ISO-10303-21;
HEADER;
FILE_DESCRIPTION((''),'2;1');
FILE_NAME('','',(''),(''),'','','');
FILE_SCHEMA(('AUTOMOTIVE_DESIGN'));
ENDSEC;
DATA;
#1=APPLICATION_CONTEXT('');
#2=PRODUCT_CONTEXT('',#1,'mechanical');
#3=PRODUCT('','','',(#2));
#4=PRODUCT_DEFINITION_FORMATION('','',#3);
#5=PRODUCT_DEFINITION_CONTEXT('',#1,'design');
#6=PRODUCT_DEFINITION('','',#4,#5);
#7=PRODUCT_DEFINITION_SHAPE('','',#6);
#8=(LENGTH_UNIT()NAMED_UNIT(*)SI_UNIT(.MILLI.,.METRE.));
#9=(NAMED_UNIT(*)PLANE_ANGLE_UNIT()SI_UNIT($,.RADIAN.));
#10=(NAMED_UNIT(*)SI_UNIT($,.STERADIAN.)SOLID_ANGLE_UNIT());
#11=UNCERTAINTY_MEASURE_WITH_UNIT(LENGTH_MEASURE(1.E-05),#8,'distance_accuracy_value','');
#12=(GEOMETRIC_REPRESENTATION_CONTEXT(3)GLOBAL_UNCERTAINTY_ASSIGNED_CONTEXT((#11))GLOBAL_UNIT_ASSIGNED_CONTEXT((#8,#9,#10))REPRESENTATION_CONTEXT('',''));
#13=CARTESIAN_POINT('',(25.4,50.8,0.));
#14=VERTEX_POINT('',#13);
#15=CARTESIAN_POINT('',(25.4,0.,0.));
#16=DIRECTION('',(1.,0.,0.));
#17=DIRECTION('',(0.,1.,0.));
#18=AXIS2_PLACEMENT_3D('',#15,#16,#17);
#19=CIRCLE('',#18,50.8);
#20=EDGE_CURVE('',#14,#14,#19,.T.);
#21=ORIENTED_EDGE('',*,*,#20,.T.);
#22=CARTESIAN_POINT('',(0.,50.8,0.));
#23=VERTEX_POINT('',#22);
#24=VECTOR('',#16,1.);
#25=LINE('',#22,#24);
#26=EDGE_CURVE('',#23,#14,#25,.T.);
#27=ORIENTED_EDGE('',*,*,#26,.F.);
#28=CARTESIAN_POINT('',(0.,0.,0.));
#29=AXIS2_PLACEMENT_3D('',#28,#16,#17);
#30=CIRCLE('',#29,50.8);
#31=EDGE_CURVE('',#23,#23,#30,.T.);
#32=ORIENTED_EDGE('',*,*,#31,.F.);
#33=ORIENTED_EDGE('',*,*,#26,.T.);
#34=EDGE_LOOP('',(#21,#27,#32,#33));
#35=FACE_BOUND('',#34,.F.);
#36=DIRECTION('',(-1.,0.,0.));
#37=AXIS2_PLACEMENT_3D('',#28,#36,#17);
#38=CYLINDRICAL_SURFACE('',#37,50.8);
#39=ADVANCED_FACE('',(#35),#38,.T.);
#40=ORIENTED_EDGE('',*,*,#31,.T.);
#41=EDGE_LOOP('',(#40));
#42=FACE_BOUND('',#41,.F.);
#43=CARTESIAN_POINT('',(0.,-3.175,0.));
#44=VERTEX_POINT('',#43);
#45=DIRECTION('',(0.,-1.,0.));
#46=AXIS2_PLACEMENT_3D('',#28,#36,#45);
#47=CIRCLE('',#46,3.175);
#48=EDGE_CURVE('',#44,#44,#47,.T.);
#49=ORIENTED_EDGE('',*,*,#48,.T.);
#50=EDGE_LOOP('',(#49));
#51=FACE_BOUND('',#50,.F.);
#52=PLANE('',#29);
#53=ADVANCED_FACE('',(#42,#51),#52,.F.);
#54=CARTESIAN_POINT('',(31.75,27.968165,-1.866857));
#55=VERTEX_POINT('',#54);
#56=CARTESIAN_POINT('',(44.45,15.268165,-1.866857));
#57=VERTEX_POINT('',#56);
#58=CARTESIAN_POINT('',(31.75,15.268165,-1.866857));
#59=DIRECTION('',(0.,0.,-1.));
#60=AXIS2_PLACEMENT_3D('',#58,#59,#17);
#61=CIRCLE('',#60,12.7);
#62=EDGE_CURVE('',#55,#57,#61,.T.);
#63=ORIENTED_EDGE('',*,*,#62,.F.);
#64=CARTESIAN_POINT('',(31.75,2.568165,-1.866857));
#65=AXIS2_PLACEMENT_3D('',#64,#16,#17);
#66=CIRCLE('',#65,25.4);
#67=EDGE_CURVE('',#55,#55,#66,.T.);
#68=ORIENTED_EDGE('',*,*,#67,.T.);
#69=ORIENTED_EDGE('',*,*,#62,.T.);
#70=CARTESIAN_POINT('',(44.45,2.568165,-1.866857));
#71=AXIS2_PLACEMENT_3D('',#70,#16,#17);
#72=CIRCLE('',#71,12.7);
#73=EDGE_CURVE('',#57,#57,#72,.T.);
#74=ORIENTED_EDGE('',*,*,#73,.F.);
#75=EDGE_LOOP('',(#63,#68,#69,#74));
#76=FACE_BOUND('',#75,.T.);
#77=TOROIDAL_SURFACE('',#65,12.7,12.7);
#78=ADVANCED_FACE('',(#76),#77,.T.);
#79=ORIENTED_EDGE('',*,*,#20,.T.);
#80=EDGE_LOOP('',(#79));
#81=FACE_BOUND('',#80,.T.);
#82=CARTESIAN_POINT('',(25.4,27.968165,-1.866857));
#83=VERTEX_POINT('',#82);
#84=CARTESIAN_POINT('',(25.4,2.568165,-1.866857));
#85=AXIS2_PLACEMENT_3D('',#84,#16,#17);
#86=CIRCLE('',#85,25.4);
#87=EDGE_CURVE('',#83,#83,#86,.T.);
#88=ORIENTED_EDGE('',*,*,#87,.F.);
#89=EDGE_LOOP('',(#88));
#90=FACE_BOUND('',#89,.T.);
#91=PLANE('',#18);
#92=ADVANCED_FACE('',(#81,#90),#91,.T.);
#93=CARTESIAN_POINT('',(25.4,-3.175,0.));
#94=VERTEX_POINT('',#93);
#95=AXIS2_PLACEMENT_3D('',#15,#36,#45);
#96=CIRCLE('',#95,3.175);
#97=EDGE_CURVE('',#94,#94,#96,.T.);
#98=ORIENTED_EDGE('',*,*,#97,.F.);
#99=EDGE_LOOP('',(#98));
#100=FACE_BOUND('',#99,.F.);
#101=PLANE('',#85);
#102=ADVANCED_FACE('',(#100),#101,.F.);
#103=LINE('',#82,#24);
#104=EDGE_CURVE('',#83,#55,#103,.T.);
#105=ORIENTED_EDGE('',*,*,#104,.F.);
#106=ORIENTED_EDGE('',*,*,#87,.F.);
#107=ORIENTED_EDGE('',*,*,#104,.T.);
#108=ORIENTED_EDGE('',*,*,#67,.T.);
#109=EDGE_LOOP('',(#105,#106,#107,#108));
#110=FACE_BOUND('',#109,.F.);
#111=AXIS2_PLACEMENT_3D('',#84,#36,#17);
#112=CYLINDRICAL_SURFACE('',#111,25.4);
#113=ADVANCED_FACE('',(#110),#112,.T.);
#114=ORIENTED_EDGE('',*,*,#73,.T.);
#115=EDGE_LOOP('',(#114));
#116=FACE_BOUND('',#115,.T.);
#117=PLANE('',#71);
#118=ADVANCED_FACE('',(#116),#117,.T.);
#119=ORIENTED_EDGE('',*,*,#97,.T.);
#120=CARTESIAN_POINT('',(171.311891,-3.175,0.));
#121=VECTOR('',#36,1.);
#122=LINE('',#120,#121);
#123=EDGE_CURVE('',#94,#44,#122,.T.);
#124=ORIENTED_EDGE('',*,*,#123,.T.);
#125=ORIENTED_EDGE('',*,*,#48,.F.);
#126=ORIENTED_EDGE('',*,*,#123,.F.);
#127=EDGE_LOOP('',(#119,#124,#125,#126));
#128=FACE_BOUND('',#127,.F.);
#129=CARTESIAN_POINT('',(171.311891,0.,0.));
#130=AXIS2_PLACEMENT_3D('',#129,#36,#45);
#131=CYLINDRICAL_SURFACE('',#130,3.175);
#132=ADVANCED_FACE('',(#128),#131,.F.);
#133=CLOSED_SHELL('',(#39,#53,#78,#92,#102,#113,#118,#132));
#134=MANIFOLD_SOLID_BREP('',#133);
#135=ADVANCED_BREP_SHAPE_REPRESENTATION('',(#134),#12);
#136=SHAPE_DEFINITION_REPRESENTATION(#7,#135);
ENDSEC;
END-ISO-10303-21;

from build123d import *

# Parameters (mm, degrees)
F0_R     = 50.8
F1_DEPTH = 25.4
F3_D     = 6.35
F4_R     = 25.4
F5_DEPTH = 19.05
F6_R     = 12.7


with BuildPart() as f1:
    # F0 (on Right) → F1 (new body)
    with BuildSketch(Plane.YZ):
        Circle(F0_R)
    extrude(amount=F1_DEPTH)

    # F3 (through all)
    with Locations(Plane.YZ.offset(25.4)):
        with Locations((0, 0)):
            Hole(F3_D / 2)

    # F4 (on face) → F5 (join)
    with BuildSketch(Plane.YZ.offset(25.4)):
        with Locations((2.568165, -1.866857)):
            Circle(F4_R)
    extrude(amount=F5_DEPTH)

    # F6
    f6_edges = [f1.edges().sort_by_distance(p)[0] for p in [
        (44.45, -22.831835, -1.866857),
    ]]
    fillet(f6_edges, radius=F6_R)


solid = f1.part
